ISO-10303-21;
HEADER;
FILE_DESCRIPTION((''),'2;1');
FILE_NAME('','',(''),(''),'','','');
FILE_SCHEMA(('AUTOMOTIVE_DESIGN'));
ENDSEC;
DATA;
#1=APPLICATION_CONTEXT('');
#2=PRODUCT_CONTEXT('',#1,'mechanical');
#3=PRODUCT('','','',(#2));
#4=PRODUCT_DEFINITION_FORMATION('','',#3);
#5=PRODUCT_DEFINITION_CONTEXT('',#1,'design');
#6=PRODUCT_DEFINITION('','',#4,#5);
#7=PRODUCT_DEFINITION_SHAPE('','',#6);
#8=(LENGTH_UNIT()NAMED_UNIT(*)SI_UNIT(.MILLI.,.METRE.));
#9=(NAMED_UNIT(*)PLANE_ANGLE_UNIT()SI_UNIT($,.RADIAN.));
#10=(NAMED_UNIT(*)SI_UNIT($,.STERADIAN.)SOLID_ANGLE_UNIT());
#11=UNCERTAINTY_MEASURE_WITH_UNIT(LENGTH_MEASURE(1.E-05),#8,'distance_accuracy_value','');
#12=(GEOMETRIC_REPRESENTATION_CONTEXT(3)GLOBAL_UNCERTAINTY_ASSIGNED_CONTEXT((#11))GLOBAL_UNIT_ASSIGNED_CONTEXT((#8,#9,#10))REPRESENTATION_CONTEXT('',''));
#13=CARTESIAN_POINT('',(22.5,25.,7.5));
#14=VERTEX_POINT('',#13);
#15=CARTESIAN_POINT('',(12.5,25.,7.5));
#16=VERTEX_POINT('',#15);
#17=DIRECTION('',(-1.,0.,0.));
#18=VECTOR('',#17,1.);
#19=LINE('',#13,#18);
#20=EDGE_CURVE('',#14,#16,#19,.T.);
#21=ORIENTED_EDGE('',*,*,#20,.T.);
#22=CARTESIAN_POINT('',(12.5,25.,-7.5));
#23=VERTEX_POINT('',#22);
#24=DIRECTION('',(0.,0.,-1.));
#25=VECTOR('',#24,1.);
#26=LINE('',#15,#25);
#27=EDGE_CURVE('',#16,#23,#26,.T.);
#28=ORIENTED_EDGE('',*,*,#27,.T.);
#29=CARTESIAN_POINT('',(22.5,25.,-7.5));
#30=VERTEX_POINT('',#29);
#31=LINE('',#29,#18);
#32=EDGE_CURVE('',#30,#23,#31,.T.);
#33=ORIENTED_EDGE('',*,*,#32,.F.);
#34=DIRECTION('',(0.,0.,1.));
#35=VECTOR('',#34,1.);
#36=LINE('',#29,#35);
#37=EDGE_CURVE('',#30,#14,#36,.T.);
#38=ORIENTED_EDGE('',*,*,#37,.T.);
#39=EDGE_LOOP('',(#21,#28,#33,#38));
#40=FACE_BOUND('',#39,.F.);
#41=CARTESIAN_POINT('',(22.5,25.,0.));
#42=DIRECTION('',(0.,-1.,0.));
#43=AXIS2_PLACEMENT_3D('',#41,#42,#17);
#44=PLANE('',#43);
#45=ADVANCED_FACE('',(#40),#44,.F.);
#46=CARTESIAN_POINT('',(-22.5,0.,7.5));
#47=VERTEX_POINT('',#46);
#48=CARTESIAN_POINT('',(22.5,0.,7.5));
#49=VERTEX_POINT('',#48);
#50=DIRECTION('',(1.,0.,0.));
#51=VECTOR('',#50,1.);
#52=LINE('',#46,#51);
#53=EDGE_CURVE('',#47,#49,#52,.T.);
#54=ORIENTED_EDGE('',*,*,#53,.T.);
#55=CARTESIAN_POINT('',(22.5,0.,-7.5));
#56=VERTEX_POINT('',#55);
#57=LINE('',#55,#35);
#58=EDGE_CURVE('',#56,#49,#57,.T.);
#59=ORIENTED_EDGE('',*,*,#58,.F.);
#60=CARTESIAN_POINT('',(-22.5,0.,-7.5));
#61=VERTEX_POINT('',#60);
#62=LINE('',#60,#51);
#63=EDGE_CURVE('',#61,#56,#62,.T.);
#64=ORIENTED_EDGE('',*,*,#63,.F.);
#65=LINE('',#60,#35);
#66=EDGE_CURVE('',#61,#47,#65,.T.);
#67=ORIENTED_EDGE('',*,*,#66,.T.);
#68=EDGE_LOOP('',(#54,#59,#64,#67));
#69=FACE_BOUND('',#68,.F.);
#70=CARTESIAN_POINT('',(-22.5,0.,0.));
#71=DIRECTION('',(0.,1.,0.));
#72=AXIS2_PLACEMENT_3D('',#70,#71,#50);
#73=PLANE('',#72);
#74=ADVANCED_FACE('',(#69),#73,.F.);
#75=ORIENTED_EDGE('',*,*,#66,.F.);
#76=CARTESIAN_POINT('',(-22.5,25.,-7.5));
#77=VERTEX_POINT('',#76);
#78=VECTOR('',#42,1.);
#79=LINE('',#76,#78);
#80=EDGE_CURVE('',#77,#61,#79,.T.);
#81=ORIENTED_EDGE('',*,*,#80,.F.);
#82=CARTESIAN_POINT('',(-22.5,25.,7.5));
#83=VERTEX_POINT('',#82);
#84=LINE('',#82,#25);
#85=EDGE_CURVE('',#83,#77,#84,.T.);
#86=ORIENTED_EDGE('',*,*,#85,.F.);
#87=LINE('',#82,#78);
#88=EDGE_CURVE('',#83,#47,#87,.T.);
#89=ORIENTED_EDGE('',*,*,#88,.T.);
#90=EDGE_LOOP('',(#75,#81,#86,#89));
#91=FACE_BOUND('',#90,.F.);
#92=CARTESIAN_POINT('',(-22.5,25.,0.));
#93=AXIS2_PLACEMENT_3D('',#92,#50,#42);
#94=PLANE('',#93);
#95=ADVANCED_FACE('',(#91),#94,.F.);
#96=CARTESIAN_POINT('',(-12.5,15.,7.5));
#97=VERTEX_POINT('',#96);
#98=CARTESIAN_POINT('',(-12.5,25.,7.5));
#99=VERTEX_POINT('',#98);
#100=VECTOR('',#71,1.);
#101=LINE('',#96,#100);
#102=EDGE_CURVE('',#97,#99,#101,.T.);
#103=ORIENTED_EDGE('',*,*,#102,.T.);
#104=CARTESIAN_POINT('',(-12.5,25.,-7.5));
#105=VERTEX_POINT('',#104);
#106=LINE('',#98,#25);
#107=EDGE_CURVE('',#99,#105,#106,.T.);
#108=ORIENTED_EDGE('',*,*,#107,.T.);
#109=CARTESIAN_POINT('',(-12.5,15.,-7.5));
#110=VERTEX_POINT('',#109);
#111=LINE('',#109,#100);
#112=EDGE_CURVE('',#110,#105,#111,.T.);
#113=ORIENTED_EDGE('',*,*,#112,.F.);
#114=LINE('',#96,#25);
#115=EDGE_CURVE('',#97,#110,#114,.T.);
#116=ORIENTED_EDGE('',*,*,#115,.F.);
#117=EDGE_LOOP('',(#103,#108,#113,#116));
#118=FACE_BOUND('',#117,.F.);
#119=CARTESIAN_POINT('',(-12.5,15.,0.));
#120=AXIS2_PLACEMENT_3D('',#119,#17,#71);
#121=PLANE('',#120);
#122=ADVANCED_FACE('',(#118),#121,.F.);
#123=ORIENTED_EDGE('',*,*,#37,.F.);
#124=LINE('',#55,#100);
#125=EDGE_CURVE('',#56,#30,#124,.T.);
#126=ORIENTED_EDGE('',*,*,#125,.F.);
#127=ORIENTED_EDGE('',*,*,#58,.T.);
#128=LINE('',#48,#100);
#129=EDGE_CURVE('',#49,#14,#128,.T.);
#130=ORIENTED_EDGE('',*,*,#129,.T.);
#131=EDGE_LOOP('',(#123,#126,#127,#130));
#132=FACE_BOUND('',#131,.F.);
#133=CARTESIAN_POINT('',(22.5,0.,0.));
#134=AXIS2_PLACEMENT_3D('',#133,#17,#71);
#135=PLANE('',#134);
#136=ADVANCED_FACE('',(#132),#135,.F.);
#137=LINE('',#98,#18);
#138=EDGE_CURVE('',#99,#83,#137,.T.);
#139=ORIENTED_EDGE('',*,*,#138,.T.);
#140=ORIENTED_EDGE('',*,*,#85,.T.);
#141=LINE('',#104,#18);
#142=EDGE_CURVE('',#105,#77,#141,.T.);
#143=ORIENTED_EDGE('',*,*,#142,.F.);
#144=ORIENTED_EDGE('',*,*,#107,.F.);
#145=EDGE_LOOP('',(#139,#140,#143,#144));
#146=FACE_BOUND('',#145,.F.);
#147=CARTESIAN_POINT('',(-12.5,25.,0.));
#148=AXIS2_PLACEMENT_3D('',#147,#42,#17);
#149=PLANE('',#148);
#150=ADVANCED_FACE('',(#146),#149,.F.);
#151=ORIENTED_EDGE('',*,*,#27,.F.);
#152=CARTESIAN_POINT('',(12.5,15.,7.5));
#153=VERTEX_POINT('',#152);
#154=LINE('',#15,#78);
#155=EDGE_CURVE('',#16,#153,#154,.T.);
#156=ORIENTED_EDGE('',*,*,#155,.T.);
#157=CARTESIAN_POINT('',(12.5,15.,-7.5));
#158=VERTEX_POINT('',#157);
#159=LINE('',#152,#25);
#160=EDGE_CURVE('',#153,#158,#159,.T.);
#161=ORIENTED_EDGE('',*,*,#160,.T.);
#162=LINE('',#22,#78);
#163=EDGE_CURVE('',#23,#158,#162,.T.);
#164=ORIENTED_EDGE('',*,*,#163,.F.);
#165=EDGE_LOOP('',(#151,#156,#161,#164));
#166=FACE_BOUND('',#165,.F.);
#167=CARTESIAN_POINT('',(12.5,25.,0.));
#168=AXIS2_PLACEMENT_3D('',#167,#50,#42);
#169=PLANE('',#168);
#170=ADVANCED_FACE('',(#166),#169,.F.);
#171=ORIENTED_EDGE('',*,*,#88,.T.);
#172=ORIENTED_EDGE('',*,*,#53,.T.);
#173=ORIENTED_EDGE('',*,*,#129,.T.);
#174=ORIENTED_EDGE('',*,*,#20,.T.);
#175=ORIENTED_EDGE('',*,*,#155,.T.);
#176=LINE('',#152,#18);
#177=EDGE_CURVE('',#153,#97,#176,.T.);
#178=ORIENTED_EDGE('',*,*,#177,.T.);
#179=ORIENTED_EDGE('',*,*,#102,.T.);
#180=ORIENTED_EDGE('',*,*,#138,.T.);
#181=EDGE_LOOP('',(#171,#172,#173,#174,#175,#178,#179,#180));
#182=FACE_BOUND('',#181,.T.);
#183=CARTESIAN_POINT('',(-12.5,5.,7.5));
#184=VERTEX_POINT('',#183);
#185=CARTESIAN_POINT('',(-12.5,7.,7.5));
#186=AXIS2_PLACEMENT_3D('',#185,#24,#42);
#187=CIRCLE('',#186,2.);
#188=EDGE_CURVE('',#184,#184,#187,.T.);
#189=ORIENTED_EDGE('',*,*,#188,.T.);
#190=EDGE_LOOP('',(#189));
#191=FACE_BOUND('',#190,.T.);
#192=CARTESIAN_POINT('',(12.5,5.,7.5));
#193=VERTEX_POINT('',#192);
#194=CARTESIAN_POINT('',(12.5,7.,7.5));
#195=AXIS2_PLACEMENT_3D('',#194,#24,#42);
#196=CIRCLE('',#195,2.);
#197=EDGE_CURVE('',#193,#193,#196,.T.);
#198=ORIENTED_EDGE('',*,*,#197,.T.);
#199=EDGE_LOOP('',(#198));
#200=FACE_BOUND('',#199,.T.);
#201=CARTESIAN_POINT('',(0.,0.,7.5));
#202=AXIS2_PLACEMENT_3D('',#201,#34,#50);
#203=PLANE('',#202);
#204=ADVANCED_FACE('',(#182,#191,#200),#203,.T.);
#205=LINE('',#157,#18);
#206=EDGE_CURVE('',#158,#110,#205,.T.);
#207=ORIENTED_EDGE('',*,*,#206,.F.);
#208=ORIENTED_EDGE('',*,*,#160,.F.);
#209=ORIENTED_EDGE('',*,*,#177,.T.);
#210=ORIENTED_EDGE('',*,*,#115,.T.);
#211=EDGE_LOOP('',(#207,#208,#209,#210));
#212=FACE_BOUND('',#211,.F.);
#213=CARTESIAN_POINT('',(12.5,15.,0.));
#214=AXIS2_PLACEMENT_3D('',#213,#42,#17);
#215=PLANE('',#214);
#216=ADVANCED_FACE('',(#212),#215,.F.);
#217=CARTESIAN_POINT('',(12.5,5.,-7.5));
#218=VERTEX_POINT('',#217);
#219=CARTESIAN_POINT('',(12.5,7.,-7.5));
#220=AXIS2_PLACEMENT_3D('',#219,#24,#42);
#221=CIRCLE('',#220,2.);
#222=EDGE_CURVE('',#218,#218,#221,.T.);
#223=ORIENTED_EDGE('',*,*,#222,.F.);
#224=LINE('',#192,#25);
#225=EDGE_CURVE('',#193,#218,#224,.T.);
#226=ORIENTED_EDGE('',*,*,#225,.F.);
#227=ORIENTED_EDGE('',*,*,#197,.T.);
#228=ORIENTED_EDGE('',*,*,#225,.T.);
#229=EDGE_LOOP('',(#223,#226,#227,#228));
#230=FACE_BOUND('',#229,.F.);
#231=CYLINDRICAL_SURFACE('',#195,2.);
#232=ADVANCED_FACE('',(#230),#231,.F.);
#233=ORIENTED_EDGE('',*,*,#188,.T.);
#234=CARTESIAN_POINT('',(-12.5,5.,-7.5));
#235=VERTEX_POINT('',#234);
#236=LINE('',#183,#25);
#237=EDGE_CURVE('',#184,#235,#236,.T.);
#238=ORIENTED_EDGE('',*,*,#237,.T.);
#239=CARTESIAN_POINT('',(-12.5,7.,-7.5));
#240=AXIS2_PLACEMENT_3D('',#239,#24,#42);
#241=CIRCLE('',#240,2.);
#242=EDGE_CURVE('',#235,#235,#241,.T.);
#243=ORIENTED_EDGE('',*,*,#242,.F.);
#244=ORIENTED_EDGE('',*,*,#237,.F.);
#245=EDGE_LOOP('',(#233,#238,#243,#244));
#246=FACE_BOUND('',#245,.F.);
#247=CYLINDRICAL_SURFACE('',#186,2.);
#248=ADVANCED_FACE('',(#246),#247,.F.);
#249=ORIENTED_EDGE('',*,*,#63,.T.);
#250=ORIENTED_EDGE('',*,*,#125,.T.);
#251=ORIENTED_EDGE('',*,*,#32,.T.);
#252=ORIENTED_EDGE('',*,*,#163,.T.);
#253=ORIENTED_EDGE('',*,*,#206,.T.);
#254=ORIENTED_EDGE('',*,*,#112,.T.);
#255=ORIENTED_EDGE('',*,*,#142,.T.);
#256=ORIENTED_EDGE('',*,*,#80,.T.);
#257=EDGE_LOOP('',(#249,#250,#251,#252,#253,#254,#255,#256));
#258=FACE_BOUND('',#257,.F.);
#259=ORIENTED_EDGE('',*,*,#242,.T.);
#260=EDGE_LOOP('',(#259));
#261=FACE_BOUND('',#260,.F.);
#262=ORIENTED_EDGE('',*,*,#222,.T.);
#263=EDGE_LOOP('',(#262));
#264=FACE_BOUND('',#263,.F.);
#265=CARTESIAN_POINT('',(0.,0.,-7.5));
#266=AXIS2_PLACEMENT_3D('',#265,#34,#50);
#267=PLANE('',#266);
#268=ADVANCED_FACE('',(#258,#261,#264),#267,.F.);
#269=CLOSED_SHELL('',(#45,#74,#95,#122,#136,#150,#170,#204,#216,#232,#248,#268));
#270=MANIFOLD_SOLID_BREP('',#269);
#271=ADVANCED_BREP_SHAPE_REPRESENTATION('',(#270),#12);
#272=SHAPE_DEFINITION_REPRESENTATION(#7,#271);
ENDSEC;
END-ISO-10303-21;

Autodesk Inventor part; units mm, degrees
ref_plane "YZ Plane" through (0, 0, 0) normal (1, 0, 0) x (0, 1, 0)
ref_plane "XZ Plane" through (0, 0, 0) normal (0, 1, 0) x (-1, 0, 0)
ref_plane "XY Plane" through (0, 0, 0) normal (0, 0, 1) x (1, 0, 0)
sketch "Sketch1" plane through (0, 0, 0) normal (0, 0, 1) x (1, 0, 0)
  line L0 (-22.5, 0) -> (22.5, 0)
  line L1 (22.5, 0) -> (22.5, 25)
  line L2 (22.5, 25) -> (12.5, 25)
  line L3 (12.5, 25) -> (12.5, 15)
  line L4 (12.5, 15) -> (-12.5, 15)
  line L5 (-12.5, 15) -> (-12.5, 25)
  line L6 (-12.5, 25) -> (-22.5, 25)
  line L7 (-22.5, 25) -> (-22.5, 0)
  point P0 (0, 0)
  point P1 (0, 0)
  dimension "d0" = 45
  dimension "d1" = 25
  dimension "d2" = 10
  dimension "d3" = 10
extrude "Extrusion1" add sketch "Sketch1" along normal mid plane 15
sketch "Sketch3" plane through (0, 0, 7.5) normal (0, 0, 1) x (1, 0, 0)
  line L0 (12.5, 7) -> (-12.5, 7) construction
  line L1 (0, 0) -> (0, 14) construction
  line L2 (12.5, 15) -> (-12.5, 15) projected
  point P0 (0, 7)
  dimension "d14" = 8
  dimension "d15" = 25
hole "Hole2" at (12.5, 7, 7.5) at (-12.5, 7, 7.5) direction (0, 0, -1) diameter 4 end through all
properties part number "sujetador inferior"
